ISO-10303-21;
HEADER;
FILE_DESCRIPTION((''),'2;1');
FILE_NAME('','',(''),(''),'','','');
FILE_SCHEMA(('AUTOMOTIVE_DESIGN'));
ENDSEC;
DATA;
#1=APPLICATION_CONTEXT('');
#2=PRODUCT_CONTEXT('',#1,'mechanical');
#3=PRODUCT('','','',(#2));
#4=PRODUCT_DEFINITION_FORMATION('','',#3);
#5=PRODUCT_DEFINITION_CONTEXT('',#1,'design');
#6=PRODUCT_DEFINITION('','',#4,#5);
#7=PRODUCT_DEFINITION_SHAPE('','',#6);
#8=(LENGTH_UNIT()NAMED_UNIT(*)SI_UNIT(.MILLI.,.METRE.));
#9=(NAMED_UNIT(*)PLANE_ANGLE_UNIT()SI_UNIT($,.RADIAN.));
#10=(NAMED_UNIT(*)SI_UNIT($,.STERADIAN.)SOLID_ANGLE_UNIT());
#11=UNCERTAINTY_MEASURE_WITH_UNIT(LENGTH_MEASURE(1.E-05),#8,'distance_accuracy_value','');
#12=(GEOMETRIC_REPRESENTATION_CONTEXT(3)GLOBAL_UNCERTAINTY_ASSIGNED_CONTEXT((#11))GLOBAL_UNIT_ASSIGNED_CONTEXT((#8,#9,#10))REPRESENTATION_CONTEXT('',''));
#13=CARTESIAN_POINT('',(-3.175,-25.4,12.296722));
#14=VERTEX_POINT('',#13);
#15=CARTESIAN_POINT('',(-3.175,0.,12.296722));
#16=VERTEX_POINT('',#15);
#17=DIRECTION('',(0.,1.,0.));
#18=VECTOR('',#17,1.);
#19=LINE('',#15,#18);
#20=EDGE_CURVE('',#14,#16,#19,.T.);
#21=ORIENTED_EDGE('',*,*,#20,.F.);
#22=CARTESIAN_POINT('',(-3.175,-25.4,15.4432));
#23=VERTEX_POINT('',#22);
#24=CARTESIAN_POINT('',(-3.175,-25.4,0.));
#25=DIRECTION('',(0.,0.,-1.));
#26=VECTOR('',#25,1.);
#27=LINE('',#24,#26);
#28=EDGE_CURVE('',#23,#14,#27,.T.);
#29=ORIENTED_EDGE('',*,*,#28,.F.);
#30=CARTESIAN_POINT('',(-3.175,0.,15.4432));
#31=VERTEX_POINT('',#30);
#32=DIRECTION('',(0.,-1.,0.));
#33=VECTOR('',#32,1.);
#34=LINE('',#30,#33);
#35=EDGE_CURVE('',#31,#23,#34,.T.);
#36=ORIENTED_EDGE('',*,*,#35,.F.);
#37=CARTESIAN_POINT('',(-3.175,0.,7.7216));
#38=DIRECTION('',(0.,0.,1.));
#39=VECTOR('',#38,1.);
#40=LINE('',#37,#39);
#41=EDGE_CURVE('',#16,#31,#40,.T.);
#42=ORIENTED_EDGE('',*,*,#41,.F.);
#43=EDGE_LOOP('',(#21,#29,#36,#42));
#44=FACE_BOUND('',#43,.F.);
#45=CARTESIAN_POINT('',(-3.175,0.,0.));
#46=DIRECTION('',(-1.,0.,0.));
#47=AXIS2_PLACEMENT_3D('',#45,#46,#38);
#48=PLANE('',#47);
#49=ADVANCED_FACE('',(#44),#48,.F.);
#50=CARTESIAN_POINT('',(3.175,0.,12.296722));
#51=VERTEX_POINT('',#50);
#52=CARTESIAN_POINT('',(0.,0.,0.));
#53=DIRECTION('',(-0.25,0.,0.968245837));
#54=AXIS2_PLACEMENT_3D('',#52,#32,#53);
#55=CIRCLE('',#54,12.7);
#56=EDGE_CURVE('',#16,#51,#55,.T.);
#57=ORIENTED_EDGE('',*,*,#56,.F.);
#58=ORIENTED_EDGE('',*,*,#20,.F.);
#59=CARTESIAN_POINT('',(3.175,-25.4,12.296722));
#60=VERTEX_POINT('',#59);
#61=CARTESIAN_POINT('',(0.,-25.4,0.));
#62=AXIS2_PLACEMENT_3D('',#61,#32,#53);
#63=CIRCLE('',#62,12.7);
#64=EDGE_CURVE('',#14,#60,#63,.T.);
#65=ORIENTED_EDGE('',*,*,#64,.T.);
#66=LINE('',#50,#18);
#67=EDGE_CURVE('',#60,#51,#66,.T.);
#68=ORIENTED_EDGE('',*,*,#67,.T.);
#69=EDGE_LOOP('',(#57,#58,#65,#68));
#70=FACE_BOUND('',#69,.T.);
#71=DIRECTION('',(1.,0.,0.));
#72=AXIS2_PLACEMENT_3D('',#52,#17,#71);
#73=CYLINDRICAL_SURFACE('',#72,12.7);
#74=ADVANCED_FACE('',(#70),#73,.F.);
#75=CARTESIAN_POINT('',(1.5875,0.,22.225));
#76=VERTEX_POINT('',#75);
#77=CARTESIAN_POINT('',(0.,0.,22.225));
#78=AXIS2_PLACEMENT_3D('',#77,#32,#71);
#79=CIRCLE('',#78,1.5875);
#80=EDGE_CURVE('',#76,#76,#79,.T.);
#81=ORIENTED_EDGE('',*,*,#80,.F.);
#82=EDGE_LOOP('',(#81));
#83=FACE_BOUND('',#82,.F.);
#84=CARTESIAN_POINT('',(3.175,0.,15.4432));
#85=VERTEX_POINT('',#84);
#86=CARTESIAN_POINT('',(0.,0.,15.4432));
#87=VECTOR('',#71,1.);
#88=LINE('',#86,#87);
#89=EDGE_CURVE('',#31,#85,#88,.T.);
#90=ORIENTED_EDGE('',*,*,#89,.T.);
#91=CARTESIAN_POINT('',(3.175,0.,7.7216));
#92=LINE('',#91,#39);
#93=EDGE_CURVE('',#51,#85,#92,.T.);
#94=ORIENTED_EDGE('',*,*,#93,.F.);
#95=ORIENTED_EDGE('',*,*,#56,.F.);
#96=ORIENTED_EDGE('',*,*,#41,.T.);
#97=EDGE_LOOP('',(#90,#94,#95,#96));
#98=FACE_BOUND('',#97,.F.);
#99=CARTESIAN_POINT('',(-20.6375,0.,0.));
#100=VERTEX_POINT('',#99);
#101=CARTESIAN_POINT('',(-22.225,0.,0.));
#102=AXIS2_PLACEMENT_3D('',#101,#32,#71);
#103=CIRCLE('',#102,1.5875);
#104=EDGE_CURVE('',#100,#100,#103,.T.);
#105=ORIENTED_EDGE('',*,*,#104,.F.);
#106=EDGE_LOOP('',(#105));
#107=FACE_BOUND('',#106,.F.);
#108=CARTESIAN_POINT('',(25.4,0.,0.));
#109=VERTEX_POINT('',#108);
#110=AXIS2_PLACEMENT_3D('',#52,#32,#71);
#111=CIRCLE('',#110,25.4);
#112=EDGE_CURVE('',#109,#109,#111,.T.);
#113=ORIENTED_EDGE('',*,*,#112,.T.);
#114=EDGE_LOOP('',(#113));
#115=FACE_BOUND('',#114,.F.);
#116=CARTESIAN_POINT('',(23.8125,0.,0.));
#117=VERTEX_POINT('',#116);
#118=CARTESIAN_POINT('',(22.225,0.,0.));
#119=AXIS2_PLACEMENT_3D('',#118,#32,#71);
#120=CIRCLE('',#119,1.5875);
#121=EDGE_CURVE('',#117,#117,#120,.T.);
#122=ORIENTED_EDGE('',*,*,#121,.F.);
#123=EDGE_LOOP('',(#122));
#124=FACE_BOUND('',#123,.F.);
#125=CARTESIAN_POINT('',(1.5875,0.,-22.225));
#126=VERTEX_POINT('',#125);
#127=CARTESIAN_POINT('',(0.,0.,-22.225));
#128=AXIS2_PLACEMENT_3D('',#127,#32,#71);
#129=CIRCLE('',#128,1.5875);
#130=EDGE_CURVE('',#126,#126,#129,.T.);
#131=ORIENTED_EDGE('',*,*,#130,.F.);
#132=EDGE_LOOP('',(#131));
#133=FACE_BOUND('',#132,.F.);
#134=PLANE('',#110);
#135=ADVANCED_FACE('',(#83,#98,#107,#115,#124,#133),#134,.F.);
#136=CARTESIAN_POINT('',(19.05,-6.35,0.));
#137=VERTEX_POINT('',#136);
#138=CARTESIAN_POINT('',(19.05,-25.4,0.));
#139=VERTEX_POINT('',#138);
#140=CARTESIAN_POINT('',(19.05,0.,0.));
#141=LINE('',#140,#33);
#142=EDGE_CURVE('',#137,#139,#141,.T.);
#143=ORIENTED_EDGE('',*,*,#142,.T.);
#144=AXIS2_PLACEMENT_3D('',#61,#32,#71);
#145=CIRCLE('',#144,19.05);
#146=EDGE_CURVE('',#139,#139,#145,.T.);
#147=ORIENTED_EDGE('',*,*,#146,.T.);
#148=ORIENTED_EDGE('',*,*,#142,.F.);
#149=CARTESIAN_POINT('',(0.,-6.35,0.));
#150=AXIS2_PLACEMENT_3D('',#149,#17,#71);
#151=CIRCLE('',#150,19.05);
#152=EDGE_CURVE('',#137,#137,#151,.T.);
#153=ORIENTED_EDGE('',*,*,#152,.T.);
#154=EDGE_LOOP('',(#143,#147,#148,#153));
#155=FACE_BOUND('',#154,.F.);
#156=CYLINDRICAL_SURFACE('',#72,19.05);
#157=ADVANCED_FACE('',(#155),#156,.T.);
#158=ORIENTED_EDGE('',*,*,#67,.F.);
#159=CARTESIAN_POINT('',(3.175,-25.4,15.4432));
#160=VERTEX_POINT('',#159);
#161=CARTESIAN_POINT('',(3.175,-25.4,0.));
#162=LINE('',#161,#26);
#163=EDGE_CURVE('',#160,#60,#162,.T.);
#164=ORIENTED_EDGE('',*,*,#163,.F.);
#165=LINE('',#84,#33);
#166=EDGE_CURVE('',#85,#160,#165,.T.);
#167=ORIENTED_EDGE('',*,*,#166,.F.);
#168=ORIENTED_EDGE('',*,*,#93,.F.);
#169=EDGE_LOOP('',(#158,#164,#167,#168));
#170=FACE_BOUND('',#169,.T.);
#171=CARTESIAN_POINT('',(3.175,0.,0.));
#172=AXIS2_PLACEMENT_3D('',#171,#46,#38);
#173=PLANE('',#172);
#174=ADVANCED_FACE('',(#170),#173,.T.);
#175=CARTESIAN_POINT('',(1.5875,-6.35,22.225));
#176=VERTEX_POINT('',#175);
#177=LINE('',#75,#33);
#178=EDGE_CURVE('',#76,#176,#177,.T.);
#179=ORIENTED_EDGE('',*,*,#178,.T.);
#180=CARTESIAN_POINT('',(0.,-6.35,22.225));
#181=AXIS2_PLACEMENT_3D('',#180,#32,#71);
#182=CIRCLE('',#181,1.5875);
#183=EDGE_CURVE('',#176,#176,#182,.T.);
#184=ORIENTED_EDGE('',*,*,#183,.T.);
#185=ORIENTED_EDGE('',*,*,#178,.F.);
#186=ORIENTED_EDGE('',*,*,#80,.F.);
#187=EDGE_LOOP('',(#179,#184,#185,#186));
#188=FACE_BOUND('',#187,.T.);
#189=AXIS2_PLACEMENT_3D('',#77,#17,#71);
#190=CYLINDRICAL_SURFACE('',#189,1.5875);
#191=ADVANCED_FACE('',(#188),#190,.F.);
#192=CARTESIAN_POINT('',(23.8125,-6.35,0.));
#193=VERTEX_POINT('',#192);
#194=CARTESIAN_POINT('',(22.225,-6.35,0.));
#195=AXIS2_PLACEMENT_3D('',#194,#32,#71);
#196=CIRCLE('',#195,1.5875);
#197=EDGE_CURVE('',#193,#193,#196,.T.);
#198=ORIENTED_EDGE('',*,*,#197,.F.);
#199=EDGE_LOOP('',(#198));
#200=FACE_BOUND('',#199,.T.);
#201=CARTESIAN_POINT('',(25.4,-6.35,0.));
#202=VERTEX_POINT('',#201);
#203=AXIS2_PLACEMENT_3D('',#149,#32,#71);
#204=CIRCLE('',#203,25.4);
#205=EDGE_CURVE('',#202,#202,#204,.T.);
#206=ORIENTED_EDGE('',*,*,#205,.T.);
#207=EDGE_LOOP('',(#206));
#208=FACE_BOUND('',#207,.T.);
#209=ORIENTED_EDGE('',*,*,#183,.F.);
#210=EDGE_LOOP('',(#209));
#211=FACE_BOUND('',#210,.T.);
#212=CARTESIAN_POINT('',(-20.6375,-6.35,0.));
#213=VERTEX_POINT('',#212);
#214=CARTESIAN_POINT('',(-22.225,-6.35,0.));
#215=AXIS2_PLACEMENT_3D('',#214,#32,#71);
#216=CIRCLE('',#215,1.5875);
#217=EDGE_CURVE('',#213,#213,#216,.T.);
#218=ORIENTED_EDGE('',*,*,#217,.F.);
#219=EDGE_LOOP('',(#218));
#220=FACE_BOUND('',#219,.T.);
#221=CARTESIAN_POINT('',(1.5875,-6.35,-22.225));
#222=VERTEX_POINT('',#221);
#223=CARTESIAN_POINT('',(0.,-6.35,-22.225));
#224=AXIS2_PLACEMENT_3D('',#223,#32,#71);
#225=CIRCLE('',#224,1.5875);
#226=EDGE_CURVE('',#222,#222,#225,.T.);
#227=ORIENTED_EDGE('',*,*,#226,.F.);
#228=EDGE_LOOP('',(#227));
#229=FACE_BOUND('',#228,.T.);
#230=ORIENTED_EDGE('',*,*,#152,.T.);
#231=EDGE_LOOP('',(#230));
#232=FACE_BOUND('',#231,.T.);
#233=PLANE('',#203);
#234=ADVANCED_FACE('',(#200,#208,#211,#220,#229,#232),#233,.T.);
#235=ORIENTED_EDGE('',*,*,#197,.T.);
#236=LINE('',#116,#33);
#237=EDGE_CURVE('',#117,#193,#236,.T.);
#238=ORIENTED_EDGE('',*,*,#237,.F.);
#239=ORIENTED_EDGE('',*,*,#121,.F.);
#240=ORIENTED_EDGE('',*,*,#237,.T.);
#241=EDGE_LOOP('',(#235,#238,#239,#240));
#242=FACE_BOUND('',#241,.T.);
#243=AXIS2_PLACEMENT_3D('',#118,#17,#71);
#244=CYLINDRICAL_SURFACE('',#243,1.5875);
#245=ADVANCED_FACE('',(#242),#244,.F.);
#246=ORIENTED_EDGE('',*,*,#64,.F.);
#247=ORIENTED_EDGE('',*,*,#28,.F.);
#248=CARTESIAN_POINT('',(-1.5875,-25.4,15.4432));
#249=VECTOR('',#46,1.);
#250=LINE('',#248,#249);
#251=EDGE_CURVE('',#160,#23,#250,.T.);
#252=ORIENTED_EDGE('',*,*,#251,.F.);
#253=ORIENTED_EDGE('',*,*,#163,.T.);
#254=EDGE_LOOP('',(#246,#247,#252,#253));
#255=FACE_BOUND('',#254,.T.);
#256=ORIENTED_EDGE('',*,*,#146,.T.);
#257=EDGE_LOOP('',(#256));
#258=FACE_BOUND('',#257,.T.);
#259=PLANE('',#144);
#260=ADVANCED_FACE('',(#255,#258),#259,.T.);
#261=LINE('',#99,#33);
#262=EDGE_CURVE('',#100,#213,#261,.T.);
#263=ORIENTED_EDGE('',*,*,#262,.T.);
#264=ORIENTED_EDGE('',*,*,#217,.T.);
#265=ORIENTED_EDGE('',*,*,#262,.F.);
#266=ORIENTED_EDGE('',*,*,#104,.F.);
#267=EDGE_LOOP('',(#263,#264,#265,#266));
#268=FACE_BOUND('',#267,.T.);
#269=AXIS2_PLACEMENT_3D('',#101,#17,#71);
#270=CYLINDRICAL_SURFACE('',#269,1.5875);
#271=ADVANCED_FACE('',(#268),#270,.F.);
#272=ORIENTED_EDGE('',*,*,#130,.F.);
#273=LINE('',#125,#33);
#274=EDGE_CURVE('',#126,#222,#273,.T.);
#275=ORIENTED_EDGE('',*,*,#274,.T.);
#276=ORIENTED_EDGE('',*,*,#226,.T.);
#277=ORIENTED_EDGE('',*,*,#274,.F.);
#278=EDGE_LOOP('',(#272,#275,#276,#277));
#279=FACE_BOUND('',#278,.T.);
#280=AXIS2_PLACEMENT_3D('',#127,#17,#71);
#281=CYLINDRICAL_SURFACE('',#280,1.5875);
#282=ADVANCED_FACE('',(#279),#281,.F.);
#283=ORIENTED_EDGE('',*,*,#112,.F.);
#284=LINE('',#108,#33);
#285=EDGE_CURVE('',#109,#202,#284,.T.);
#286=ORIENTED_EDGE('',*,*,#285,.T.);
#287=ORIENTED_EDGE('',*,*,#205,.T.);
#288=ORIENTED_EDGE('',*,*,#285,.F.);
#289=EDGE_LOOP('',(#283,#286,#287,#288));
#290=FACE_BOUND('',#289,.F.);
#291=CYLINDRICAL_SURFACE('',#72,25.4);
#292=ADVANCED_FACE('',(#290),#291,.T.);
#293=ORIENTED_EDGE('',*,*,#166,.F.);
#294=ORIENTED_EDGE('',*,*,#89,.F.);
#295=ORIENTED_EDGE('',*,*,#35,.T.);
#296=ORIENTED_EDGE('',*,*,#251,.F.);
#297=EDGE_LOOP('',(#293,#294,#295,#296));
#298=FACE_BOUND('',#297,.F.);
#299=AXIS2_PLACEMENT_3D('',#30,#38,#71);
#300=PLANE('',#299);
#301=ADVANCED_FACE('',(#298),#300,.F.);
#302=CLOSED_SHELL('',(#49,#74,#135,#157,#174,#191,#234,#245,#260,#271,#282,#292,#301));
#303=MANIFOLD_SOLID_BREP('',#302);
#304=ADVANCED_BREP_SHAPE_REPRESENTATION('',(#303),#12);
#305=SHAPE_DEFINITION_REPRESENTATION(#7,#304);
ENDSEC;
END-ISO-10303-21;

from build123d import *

# Parameters (mm, degrees)
F0_R     = 25.4
F0_R_2   = 1.5875
F0_R_3   = 12.7
F1_DEPTH = 6.35
F2_R     = 19.05
F2_R_2   = 12.7
F3_DEPTH = 25.4
F4_W     = 6.35
F4_H     = 15.4432
F5_DEPTH = 25.401


with BuildPart() as f1:
    # F0 (on Front) → F1 (new body)
    with BuildSketch(Plane.XZ):
        Circle(F0_R)
        with Locations((0, -22.225)):
            Circle(F0_R_2, mode=Mode.SUBTRACT)
        with Locations((-22.225, 0)):
            Circle(F0_R_2, mode=Mode.SUBTRACT)
        Circle(F0_R_3, mode=Mode.SUBTRACT)
        with Locations((22.225, 0)):
            Circle(F0_R_2, mode=Mode.SUBTRACT)
        with Locations((0, 22.225)):
            Circle(F0_R_2, mode=Mode.SUBTRACT)
    extrude(amount=F1_DEPTH)

    # F2 (on Front) → F3 (join)
    with BuildSketch(Plane.XZ):
        Circle(F2_R)
        Circle(F2_R_2, mode=Mode.SUBTRACT)
    extrude(amount=F3_DEPTH)

    # F4 (on Front) → F5 (cut, through all)
    with BuildSketch(Plane.XZ):
        with Locations((0, 7.7216)):
            Rectangle(F4_W, F4_H)
    extrude(amount=F5_DEPTH, mode=Mode.SUBTRACT)


solid = f1.part
